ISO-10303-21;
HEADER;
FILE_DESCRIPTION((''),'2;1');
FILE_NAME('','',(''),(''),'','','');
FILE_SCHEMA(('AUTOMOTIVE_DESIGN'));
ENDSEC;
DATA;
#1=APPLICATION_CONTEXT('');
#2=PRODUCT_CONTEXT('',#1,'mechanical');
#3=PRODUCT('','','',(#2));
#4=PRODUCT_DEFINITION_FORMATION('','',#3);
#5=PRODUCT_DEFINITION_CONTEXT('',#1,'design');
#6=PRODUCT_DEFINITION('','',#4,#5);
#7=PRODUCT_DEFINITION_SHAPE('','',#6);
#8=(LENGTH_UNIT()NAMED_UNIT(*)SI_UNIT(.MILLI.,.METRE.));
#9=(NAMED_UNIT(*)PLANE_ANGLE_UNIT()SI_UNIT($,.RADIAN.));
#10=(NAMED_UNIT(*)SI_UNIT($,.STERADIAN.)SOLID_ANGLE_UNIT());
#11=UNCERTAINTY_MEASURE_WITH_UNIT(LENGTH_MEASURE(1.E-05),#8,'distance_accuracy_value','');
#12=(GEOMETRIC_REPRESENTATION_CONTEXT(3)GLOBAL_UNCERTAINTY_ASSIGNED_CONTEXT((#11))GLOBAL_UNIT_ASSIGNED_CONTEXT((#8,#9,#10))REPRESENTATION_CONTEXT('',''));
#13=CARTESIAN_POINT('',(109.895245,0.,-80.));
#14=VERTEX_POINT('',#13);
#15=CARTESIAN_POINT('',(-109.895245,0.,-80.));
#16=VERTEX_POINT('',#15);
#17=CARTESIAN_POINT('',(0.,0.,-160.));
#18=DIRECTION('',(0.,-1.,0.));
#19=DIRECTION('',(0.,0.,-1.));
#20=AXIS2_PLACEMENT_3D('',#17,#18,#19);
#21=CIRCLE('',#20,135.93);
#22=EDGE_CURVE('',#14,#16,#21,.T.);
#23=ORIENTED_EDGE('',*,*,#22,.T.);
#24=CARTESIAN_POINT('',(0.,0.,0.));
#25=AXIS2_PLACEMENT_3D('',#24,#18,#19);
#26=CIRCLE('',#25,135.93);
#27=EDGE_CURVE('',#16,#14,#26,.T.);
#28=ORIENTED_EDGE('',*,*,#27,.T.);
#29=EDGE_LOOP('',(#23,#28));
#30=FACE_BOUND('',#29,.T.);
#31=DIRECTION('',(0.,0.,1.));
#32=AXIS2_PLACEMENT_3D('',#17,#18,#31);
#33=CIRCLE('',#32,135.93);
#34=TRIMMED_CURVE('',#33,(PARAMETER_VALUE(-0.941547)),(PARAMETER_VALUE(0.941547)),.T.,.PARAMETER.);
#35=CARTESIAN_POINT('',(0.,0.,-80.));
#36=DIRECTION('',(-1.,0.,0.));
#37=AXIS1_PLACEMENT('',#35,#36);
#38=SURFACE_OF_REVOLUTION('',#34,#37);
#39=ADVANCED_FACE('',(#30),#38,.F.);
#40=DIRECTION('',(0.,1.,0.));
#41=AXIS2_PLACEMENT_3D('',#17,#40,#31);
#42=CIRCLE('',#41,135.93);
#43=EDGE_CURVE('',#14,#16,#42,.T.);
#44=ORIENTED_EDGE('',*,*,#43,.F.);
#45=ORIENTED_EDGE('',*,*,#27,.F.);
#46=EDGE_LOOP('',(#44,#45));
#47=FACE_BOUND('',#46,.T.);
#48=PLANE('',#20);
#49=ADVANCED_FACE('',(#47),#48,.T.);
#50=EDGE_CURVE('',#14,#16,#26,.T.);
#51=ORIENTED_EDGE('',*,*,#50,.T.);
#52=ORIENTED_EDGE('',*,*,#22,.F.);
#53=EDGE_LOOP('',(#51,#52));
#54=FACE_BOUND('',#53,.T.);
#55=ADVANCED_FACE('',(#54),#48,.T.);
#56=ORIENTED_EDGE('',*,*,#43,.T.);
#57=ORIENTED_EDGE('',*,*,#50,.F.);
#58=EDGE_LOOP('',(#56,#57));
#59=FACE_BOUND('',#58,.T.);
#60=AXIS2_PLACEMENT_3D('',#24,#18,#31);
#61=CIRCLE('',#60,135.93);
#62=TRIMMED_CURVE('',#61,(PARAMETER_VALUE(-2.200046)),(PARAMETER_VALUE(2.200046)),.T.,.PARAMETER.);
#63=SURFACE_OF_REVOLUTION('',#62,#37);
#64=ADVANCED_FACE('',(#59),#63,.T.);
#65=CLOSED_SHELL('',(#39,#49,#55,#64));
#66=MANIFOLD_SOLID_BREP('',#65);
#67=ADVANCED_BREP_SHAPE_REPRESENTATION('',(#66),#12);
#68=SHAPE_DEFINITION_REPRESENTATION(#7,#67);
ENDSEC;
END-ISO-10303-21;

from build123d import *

# Parameters (mm, degrees)
REVOLVE14_ANGLE = 180


with BuildPart() as part:
    # Sketch1 → Revolve14 (revolve)
    with BuildSketch(Plane(origin=(0, 0, 0), x_dir=(1, 0, 0), z_dir=(0, 1, 0))):
        with BuildLine():
            ThreePointArc((135.93, 160), (-42.064856061, 289.257544401), (-109.89524512, 80))
            Line((-109.89524512, 80), (109.89524512, 80))
            ThreePointArc((109.89524512, 80), (129.257544401, 117.935143939), (135.93, 160))
        make_face()
    revolve(axis=Axis((-109.89524512, 0, -80), (1, 0, 0)), revolution_arc=REVOLVE14_ANGLE)

    # Sketch3 → Cut-Revolve1 (revolve, cut)
    with BuildSketch(Plane.XZ):
        with BuildLine():
            Line((-109.89524512, -80), (109.89524512, -80))
            ThreePointArc((109.89524512, -80), (0, -135.93), (-109.89524512, -80))
        make_face()
    revolve(axis=Axis((-109.89524512, 0, -80), (1, 0, 0)), mode=Mode.SUBTRACT)


solid = part.part
